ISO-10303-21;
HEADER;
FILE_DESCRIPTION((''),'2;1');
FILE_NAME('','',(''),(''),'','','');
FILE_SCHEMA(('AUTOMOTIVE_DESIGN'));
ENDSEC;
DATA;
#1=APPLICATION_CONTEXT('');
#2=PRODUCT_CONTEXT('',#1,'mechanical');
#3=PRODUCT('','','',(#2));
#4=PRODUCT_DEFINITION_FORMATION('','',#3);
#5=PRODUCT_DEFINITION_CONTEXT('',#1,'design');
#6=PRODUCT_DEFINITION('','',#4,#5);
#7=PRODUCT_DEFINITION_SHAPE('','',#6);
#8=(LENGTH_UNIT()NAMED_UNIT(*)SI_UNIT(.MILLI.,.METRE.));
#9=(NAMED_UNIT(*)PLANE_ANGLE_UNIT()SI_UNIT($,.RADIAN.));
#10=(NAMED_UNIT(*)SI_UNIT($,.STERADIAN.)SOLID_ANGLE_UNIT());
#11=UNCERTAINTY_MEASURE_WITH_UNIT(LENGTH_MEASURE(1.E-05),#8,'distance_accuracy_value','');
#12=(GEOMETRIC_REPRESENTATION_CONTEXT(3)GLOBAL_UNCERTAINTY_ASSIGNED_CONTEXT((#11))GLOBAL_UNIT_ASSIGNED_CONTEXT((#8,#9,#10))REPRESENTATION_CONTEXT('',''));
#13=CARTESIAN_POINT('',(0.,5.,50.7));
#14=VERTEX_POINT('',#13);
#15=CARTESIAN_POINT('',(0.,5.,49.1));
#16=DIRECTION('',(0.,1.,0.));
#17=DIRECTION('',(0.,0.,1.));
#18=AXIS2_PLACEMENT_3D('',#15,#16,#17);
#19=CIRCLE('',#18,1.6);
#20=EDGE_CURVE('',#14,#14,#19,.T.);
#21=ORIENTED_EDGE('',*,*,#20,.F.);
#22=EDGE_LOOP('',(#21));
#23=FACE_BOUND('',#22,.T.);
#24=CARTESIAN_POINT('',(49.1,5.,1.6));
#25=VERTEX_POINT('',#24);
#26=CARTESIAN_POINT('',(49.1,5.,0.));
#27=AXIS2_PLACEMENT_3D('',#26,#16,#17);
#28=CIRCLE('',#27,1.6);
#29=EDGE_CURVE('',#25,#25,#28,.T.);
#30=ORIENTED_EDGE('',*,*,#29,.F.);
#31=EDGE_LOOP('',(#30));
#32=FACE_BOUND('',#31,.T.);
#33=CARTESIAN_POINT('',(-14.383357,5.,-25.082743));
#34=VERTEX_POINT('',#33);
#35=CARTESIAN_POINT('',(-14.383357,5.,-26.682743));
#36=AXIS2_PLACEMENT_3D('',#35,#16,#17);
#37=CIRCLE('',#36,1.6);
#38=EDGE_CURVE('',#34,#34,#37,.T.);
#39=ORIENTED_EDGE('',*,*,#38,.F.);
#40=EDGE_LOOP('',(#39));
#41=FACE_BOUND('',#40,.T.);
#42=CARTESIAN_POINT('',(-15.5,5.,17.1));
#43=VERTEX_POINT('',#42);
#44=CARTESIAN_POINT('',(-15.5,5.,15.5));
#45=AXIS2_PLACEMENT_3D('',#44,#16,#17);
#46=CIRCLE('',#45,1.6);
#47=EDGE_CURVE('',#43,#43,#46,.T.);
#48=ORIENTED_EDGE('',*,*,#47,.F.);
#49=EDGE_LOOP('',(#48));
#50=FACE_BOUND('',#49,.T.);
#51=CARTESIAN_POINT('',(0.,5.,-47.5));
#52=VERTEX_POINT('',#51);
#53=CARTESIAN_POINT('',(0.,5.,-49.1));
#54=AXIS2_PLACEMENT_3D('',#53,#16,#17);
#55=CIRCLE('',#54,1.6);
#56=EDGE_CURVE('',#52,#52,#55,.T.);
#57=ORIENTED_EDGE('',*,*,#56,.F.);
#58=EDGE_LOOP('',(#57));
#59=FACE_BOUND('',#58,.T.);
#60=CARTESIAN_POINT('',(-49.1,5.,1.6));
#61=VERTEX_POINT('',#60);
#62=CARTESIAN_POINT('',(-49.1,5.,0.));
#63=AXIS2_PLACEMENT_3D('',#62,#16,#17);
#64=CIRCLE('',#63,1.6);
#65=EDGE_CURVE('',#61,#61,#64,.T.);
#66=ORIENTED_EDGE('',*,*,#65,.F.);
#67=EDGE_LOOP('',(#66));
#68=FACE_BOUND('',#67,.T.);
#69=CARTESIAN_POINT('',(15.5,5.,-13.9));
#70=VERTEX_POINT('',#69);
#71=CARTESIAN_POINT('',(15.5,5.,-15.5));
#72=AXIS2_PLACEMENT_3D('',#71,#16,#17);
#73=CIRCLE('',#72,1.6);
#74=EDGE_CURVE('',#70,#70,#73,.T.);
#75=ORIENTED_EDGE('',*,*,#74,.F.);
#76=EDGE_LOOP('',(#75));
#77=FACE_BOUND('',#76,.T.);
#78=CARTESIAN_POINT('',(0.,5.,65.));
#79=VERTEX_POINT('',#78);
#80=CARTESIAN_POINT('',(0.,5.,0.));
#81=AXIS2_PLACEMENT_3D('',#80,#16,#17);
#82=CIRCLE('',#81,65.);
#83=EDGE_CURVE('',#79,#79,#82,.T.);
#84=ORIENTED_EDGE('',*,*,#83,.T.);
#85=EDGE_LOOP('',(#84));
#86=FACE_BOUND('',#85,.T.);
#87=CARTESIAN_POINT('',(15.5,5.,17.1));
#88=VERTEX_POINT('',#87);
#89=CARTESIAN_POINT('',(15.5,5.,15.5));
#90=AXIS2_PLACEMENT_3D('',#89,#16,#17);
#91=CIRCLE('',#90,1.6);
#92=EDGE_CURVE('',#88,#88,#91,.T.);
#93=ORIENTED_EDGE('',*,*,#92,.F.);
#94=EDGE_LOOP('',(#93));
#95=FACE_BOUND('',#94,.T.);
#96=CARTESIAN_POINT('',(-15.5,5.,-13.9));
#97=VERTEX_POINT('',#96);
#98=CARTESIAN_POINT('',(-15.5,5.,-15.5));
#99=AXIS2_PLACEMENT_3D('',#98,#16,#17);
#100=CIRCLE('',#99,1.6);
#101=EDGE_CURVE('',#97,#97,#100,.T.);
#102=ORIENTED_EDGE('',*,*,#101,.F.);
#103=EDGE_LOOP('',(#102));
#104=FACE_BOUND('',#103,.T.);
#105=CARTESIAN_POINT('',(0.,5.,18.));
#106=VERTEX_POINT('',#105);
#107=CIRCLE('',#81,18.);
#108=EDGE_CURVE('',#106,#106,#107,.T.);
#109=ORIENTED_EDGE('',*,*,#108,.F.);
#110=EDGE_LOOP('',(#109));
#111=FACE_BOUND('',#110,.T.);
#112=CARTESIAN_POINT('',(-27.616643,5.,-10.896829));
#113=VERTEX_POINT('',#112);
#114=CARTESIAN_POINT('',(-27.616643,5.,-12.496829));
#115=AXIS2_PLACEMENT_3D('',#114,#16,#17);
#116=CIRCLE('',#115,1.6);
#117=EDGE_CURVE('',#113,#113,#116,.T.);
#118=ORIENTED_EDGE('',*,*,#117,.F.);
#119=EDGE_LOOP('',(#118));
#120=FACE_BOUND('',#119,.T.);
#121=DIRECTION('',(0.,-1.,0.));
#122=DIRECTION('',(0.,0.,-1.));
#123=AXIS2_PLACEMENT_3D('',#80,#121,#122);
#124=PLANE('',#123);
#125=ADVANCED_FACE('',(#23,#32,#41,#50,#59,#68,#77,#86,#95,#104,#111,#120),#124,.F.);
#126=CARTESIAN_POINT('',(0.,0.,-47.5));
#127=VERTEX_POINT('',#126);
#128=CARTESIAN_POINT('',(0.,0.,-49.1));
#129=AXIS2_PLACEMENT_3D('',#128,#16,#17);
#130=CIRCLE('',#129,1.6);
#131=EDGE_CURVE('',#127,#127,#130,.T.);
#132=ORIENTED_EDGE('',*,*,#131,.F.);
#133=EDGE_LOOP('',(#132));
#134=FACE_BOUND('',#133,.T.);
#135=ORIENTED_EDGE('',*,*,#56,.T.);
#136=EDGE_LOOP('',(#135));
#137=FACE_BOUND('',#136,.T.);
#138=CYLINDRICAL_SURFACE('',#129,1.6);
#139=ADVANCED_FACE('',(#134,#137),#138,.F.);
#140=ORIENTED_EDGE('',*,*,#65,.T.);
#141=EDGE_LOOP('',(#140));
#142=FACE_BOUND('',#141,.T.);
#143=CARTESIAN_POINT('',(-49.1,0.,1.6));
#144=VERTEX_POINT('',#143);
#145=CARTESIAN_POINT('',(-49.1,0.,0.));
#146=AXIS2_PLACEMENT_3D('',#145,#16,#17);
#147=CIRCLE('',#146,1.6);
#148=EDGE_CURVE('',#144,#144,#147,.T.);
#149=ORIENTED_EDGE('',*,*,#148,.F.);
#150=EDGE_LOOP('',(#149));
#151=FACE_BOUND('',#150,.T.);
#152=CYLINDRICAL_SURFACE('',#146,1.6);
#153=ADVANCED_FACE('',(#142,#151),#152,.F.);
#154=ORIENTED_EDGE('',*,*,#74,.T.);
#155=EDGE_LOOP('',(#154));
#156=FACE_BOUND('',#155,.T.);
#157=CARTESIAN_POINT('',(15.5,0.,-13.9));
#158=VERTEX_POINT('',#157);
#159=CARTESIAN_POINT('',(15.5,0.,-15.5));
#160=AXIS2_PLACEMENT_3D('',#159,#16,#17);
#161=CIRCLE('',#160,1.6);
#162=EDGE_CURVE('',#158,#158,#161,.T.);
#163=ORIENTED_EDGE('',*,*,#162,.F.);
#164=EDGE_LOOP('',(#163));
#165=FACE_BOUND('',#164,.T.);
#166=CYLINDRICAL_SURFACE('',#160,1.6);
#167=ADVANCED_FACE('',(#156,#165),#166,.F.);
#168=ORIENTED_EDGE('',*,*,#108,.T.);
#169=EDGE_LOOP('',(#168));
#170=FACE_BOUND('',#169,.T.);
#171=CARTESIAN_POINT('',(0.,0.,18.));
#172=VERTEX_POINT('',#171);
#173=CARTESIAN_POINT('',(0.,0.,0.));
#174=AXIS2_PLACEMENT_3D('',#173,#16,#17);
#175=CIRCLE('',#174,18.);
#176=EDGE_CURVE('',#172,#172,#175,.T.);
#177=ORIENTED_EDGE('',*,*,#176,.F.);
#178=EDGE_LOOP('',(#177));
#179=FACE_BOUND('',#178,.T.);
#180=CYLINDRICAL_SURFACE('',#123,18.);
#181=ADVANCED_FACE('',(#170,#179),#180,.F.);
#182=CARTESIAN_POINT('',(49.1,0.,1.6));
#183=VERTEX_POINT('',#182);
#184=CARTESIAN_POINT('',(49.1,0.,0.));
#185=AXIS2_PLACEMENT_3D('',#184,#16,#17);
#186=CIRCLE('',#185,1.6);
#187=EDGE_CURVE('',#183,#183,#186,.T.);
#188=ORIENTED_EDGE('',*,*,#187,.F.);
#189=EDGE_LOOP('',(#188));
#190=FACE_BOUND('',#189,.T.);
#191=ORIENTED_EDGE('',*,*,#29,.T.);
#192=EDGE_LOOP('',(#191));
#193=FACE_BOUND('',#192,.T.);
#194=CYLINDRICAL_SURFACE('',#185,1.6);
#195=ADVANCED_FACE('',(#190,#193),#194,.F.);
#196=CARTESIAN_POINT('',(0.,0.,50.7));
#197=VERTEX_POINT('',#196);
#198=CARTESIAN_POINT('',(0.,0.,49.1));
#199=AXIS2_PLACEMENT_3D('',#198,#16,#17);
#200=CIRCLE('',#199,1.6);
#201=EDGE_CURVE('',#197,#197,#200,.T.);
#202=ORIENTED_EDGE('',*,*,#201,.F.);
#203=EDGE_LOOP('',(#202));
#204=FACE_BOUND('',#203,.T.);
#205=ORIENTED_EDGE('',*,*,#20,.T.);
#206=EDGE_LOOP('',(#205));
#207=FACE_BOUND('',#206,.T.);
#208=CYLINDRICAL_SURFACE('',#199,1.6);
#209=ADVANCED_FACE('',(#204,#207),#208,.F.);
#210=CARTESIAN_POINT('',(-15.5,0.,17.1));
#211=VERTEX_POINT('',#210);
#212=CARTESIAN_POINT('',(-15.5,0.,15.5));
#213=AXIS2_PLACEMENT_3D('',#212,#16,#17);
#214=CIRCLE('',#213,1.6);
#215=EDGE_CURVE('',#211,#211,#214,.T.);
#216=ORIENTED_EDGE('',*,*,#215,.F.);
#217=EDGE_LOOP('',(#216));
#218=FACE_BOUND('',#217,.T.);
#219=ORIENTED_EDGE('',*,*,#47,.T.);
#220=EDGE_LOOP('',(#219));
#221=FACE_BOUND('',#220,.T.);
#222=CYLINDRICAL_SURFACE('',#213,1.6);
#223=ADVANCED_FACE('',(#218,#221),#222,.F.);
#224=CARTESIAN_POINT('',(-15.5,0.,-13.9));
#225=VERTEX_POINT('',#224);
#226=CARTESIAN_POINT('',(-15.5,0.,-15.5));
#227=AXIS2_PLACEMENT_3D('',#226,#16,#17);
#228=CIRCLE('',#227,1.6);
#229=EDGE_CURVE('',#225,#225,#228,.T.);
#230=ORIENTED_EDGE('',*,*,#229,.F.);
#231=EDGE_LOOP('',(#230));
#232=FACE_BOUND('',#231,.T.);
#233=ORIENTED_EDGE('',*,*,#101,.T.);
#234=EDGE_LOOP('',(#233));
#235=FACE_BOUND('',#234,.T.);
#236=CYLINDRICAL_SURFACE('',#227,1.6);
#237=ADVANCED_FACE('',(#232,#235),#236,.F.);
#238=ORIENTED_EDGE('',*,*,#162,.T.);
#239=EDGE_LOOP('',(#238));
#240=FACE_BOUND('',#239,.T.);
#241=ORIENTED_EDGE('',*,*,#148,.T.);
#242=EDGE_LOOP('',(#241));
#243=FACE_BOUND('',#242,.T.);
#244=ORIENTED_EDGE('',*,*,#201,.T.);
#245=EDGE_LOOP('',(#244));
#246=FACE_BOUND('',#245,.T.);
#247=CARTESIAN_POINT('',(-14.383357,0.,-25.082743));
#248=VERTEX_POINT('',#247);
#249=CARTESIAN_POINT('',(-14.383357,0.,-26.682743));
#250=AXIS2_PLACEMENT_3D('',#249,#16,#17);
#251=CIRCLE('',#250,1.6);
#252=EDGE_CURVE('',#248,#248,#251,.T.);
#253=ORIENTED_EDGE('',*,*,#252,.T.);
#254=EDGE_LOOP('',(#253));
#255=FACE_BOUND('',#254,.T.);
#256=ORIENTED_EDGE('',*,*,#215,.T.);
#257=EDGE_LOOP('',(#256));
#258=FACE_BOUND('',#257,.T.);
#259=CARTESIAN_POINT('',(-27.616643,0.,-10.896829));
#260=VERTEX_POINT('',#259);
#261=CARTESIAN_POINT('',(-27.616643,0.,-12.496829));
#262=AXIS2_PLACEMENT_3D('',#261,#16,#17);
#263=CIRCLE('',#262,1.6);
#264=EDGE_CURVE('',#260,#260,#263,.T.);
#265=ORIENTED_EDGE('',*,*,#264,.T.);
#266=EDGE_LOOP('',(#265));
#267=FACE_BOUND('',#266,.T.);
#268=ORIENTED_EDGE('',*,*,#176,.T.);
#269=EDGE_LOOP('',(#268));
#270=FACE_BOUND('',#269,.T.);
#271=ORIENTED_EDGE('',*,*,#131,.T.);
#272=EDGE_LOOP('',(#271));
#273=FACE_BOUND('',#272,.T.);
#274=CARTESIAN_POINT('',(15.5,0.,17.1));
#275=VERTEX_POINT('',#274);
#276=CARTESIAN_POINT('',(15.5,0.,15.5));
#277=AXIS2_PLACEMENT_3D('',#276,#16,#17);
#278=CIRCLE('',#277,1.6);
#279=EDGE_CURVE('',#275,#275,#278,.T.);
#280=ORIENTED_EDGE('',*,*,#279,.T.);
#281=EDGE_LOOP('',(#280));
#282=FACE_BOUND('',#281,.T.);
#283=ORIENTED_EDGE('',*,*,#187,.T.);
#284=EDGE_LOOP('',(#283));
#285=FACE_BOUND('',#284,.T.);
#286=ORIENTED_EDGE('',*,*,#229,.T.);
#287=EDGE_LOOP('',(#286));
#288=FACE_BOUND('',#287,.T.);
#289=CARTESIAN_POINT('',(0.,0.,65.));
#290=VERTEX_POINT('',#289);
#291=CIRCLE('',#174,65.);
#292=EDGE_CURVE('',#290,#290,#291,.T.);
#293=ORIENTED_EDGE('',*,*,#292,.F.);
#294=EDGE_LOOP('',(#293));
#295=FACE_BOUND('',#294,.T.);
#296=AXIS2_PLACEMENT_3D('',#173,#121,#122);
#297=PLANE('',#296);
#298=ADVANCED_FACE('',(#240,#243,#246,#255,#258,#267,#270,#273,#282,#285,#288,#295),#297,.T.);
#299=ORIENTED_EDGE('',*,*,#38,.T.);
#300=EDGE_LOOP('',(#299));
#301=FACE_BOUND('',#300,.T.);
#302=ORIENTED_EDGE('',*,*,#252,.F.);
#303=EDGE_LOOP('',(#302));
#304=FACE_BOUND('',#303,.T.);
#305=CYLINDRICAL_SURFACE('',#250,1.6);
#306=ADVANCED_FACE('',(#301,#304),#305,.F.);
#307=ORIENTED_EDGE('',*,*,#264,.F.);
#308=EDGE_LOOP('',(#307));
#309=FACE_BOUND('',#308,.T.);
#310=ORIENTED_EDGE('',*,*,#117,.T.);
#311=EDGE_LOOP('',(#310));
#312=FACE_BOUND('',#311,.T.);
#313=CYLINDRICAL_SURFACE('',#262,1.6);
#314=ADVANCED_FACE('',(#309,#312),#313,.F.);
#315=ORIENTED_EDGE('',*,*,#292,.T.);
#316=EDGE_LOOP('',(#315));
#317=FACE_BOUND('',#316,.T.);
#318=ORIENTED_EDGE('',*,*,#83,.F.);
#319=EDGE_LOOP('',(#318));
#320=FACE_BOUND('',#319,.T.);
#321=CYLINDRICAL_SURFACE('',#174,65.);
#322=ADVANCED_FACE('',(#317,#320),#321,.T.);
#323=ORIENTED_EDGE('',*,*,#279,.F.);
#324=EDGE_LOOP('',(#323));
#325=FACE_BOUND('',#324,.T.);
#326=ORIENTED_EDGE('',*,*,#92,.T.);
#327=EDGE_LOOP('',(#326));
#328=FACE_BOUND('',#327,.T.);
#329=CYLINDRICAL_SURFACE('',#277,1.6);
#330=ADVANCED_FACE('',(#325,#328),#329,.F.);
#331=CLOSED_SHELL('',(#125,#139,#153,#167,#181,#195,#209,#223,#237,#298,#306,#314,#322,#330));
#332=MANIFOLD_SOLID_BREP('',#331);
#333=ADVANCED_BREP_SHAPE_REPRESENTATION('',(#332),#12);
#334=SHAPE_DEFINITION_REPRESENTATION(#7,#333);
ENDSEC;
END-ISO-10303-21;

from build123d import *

# Parameters (mm, degrees)
SKETCH_2_W          = 46
SKETCH_2_H          = 46
SKETCH_2_R          = 18
EXTRUDE_1_DEPTH     = 5
FILLET_1_R          = 5.5
SKETCH_3_R          = 1.6
CUT_EXTRUDE_1_DEPTH = 33.908965344
SKETCH_4_R          = 65
SKETCH_4_R_2        = 1.6
SKETCH_4_R_3        = 18
EXTRUDE_2_DEPTH     = 5
SKETCH_7_R          = 1.6
CUT_EXTRUDE_3_DEPTH = 93.059763198


with BuildPart() as part:
    # 草图2 → 凸台-拉伸1 (new body)
    with BuildSketch(Plane(origin=(0, 0, 0), x_dir=(1, 0, 0), z_dir=(0, 1, 0))):
        Rectangle(SKETCH_2_W, SKETCH_2_H)
        with Locations(Location((0, 0, 0), (0, 0, 270))):
            Circle(SKETCH_2_R, mode=Mode.SUBTRACT)
    extrude(amount=EXTRUDE_1_DEPTH)

    # 圆角1
    fillet_1_edges = [part.edges().sort_by_distance(p)[0] for p in [
        (23, 2.5, 23),
        (-23, 2.5, 23),
        (-23, 2.5, -23),
        (23, 2.5, -23),
    ]]
    fillet(fillet_1_edges, radius=FILLET_1_R)

    # 草图3 → 切除-拉伸1 (cut, through all)
    with BuildSketch(Plane(origin=(0, 5, 0), x_dir=(1, 0, 0), z_dir=(0, 1, 0))):
        with Locations(Location((-15.5, 15.5, 0), (0, 0, 270))):
            Circle(SKETCH_3_R)
        with Locations(Location((15.5, 15.5, 0), (0, 0, 270))):
            Circle(SKETCH_3_R)
        with Locations(Location((-15.5, -15.5, 0), (0, 0, 270))):
            Circle(SKETCH_3_R)
        with Locations(Location((15.5, -15.5, 0), (0, 0, 270))):
            Circle(SKETCH_3_R)
    extrude(amount=-CUT_EXTRUDE_1_DEPTH, mode=Mode.SUBTRACT)

    # 草图4 → 凸台-拉伸2 (add)
    # profile 1 of 2: a face of its own
    with BuildSketch(Plane(origin=(0, 5, 0), x_dir=(1, 0, 0), z_dir=(0, 1, 0))):
        with Locations(Location((0, 0, 0), (0, 0, 270))):
            Circle(SKETCH_4_R)
        with Locations(Location((-49.1, 0, 0), (0, 0, 270))):
            Circle(SKETCH_4_R_2, mode=Mode.SUBTRACT)
        with Locations(Location((0, -49.1, 0), (0, 0, 270))):
            Circle(SKETCH_4_R_2, mode=Mode.SUBTRACT)
        with Locations(Location((49.1, 0, 0), (0, 0, 270))):
            Circle(SKETCH_4_R_2, mode=Mode.SUBTRACT)
        with Locations(Location((0, 49.1, 0), (0, 0, 270))):
            Circle(SKETCH_4_R_2, mode=Mode.SUBTRACT)
        with BuildLine():
            Line((-17.5, -23), (17.5, -23))
            ThreePointArc((17.5, -23), (21.389087297, -21.389087297), (23, -17.5))
            Line((23, -17.5), (23, 17.5))
            ThreePointArc((23, 17.5), (21.389087297, 21.389087297), (17.5, 23))
            Line((17.5, 23), (-17.5, 23))
            ThreePointArc((-17.5, 23), (-21.389087297, 21.389087297), (-23, 17.5))
            Line((-23, 17.5), (-23, -17.5))
            ThreePointArc((-23, -17.5), (-21.389087297, -21.389087297), (-17.5, -23))
        make_face(mode=Mode.SUBTRACT)
    # profile 2 of 2: a face of its own
    with BuildSketch(Plane(origin=(0, 5, 0), x_dir=(1, 0, 0), z_dir=(0, 1, 0))):
        with BuildLine():
            ThreePointArc((-23, -17.5), (-21.389087297, -21.389087297), (-17.5, -23))
            Line((-17.5, -23), (17.5, -23))
            ThreePointArc((17.5, -23), (21.389087297, -21.389087297), (23, -17.5))
            Line((23, -17.5), (23, 17.5))
            ThreePointArc((23, 17.5), (21.389087297, 21.389087297), (17.5, 23))
            Line((17.5, 23), (-17.5, 23))
            ThreePointArc((-17.5, 23), (-21.389087297, 21.389087297), (-23, 17.5))
            Line((-23, 17.5), (-23, -17.5))
        make_face()
        with Locations(Location((15.5, 15.5, 0), (0, 0, 270))):
            Circle(SKETCH_4_R_2, mode=Mode.SUBTRACT)
        with Locations(Location((-15.5, -15.5, 0), (0, 0, 270))):
            Circle(SKETCH_4_R_2, mode=Mode.SUBTRACT)
        with Locations(Location((0, 0, 0), (0, 0, 270))):
            Circle(SKETCH_4_R_3, mode=Mode.SUBTRACT)
        with Locations(Location((-15.5, 15.5, 0), (0, 0, 270))):
            Circle(SKETCH_4_R_2, mode=Mode.SUBTRACT)
        with Locations(Location((15.5, -15.5, 0), (0, 0, 270))):
            Circle(SKETCH_4_R_2, mode=Mode.SUBTRACT)
    extrude(amount=-EXTRUDE_2_DEPTH)

    # 草图7 → 切除-拉伸3 (cut, through all)
    with BuildSketch(Plane(origin=(0, 5, 0), x_dir=(1, 0, 0), z_dir=(0, 1, 0))):
        with Locations(Location((-14.383356955, 26.682742705, 0), (0, 0, 270))):
            Circle(SKETCH_7_R)
        with Locations(Location((-27.616643045, 12.496829297, 0), (0, 0, 270))):
            Circle(SKETCH_7_R)
    extrude(amount=-CUT_EXTRUDE_3_DEPTH, mode=Mode.SUBTRACT)


solid = part.part
